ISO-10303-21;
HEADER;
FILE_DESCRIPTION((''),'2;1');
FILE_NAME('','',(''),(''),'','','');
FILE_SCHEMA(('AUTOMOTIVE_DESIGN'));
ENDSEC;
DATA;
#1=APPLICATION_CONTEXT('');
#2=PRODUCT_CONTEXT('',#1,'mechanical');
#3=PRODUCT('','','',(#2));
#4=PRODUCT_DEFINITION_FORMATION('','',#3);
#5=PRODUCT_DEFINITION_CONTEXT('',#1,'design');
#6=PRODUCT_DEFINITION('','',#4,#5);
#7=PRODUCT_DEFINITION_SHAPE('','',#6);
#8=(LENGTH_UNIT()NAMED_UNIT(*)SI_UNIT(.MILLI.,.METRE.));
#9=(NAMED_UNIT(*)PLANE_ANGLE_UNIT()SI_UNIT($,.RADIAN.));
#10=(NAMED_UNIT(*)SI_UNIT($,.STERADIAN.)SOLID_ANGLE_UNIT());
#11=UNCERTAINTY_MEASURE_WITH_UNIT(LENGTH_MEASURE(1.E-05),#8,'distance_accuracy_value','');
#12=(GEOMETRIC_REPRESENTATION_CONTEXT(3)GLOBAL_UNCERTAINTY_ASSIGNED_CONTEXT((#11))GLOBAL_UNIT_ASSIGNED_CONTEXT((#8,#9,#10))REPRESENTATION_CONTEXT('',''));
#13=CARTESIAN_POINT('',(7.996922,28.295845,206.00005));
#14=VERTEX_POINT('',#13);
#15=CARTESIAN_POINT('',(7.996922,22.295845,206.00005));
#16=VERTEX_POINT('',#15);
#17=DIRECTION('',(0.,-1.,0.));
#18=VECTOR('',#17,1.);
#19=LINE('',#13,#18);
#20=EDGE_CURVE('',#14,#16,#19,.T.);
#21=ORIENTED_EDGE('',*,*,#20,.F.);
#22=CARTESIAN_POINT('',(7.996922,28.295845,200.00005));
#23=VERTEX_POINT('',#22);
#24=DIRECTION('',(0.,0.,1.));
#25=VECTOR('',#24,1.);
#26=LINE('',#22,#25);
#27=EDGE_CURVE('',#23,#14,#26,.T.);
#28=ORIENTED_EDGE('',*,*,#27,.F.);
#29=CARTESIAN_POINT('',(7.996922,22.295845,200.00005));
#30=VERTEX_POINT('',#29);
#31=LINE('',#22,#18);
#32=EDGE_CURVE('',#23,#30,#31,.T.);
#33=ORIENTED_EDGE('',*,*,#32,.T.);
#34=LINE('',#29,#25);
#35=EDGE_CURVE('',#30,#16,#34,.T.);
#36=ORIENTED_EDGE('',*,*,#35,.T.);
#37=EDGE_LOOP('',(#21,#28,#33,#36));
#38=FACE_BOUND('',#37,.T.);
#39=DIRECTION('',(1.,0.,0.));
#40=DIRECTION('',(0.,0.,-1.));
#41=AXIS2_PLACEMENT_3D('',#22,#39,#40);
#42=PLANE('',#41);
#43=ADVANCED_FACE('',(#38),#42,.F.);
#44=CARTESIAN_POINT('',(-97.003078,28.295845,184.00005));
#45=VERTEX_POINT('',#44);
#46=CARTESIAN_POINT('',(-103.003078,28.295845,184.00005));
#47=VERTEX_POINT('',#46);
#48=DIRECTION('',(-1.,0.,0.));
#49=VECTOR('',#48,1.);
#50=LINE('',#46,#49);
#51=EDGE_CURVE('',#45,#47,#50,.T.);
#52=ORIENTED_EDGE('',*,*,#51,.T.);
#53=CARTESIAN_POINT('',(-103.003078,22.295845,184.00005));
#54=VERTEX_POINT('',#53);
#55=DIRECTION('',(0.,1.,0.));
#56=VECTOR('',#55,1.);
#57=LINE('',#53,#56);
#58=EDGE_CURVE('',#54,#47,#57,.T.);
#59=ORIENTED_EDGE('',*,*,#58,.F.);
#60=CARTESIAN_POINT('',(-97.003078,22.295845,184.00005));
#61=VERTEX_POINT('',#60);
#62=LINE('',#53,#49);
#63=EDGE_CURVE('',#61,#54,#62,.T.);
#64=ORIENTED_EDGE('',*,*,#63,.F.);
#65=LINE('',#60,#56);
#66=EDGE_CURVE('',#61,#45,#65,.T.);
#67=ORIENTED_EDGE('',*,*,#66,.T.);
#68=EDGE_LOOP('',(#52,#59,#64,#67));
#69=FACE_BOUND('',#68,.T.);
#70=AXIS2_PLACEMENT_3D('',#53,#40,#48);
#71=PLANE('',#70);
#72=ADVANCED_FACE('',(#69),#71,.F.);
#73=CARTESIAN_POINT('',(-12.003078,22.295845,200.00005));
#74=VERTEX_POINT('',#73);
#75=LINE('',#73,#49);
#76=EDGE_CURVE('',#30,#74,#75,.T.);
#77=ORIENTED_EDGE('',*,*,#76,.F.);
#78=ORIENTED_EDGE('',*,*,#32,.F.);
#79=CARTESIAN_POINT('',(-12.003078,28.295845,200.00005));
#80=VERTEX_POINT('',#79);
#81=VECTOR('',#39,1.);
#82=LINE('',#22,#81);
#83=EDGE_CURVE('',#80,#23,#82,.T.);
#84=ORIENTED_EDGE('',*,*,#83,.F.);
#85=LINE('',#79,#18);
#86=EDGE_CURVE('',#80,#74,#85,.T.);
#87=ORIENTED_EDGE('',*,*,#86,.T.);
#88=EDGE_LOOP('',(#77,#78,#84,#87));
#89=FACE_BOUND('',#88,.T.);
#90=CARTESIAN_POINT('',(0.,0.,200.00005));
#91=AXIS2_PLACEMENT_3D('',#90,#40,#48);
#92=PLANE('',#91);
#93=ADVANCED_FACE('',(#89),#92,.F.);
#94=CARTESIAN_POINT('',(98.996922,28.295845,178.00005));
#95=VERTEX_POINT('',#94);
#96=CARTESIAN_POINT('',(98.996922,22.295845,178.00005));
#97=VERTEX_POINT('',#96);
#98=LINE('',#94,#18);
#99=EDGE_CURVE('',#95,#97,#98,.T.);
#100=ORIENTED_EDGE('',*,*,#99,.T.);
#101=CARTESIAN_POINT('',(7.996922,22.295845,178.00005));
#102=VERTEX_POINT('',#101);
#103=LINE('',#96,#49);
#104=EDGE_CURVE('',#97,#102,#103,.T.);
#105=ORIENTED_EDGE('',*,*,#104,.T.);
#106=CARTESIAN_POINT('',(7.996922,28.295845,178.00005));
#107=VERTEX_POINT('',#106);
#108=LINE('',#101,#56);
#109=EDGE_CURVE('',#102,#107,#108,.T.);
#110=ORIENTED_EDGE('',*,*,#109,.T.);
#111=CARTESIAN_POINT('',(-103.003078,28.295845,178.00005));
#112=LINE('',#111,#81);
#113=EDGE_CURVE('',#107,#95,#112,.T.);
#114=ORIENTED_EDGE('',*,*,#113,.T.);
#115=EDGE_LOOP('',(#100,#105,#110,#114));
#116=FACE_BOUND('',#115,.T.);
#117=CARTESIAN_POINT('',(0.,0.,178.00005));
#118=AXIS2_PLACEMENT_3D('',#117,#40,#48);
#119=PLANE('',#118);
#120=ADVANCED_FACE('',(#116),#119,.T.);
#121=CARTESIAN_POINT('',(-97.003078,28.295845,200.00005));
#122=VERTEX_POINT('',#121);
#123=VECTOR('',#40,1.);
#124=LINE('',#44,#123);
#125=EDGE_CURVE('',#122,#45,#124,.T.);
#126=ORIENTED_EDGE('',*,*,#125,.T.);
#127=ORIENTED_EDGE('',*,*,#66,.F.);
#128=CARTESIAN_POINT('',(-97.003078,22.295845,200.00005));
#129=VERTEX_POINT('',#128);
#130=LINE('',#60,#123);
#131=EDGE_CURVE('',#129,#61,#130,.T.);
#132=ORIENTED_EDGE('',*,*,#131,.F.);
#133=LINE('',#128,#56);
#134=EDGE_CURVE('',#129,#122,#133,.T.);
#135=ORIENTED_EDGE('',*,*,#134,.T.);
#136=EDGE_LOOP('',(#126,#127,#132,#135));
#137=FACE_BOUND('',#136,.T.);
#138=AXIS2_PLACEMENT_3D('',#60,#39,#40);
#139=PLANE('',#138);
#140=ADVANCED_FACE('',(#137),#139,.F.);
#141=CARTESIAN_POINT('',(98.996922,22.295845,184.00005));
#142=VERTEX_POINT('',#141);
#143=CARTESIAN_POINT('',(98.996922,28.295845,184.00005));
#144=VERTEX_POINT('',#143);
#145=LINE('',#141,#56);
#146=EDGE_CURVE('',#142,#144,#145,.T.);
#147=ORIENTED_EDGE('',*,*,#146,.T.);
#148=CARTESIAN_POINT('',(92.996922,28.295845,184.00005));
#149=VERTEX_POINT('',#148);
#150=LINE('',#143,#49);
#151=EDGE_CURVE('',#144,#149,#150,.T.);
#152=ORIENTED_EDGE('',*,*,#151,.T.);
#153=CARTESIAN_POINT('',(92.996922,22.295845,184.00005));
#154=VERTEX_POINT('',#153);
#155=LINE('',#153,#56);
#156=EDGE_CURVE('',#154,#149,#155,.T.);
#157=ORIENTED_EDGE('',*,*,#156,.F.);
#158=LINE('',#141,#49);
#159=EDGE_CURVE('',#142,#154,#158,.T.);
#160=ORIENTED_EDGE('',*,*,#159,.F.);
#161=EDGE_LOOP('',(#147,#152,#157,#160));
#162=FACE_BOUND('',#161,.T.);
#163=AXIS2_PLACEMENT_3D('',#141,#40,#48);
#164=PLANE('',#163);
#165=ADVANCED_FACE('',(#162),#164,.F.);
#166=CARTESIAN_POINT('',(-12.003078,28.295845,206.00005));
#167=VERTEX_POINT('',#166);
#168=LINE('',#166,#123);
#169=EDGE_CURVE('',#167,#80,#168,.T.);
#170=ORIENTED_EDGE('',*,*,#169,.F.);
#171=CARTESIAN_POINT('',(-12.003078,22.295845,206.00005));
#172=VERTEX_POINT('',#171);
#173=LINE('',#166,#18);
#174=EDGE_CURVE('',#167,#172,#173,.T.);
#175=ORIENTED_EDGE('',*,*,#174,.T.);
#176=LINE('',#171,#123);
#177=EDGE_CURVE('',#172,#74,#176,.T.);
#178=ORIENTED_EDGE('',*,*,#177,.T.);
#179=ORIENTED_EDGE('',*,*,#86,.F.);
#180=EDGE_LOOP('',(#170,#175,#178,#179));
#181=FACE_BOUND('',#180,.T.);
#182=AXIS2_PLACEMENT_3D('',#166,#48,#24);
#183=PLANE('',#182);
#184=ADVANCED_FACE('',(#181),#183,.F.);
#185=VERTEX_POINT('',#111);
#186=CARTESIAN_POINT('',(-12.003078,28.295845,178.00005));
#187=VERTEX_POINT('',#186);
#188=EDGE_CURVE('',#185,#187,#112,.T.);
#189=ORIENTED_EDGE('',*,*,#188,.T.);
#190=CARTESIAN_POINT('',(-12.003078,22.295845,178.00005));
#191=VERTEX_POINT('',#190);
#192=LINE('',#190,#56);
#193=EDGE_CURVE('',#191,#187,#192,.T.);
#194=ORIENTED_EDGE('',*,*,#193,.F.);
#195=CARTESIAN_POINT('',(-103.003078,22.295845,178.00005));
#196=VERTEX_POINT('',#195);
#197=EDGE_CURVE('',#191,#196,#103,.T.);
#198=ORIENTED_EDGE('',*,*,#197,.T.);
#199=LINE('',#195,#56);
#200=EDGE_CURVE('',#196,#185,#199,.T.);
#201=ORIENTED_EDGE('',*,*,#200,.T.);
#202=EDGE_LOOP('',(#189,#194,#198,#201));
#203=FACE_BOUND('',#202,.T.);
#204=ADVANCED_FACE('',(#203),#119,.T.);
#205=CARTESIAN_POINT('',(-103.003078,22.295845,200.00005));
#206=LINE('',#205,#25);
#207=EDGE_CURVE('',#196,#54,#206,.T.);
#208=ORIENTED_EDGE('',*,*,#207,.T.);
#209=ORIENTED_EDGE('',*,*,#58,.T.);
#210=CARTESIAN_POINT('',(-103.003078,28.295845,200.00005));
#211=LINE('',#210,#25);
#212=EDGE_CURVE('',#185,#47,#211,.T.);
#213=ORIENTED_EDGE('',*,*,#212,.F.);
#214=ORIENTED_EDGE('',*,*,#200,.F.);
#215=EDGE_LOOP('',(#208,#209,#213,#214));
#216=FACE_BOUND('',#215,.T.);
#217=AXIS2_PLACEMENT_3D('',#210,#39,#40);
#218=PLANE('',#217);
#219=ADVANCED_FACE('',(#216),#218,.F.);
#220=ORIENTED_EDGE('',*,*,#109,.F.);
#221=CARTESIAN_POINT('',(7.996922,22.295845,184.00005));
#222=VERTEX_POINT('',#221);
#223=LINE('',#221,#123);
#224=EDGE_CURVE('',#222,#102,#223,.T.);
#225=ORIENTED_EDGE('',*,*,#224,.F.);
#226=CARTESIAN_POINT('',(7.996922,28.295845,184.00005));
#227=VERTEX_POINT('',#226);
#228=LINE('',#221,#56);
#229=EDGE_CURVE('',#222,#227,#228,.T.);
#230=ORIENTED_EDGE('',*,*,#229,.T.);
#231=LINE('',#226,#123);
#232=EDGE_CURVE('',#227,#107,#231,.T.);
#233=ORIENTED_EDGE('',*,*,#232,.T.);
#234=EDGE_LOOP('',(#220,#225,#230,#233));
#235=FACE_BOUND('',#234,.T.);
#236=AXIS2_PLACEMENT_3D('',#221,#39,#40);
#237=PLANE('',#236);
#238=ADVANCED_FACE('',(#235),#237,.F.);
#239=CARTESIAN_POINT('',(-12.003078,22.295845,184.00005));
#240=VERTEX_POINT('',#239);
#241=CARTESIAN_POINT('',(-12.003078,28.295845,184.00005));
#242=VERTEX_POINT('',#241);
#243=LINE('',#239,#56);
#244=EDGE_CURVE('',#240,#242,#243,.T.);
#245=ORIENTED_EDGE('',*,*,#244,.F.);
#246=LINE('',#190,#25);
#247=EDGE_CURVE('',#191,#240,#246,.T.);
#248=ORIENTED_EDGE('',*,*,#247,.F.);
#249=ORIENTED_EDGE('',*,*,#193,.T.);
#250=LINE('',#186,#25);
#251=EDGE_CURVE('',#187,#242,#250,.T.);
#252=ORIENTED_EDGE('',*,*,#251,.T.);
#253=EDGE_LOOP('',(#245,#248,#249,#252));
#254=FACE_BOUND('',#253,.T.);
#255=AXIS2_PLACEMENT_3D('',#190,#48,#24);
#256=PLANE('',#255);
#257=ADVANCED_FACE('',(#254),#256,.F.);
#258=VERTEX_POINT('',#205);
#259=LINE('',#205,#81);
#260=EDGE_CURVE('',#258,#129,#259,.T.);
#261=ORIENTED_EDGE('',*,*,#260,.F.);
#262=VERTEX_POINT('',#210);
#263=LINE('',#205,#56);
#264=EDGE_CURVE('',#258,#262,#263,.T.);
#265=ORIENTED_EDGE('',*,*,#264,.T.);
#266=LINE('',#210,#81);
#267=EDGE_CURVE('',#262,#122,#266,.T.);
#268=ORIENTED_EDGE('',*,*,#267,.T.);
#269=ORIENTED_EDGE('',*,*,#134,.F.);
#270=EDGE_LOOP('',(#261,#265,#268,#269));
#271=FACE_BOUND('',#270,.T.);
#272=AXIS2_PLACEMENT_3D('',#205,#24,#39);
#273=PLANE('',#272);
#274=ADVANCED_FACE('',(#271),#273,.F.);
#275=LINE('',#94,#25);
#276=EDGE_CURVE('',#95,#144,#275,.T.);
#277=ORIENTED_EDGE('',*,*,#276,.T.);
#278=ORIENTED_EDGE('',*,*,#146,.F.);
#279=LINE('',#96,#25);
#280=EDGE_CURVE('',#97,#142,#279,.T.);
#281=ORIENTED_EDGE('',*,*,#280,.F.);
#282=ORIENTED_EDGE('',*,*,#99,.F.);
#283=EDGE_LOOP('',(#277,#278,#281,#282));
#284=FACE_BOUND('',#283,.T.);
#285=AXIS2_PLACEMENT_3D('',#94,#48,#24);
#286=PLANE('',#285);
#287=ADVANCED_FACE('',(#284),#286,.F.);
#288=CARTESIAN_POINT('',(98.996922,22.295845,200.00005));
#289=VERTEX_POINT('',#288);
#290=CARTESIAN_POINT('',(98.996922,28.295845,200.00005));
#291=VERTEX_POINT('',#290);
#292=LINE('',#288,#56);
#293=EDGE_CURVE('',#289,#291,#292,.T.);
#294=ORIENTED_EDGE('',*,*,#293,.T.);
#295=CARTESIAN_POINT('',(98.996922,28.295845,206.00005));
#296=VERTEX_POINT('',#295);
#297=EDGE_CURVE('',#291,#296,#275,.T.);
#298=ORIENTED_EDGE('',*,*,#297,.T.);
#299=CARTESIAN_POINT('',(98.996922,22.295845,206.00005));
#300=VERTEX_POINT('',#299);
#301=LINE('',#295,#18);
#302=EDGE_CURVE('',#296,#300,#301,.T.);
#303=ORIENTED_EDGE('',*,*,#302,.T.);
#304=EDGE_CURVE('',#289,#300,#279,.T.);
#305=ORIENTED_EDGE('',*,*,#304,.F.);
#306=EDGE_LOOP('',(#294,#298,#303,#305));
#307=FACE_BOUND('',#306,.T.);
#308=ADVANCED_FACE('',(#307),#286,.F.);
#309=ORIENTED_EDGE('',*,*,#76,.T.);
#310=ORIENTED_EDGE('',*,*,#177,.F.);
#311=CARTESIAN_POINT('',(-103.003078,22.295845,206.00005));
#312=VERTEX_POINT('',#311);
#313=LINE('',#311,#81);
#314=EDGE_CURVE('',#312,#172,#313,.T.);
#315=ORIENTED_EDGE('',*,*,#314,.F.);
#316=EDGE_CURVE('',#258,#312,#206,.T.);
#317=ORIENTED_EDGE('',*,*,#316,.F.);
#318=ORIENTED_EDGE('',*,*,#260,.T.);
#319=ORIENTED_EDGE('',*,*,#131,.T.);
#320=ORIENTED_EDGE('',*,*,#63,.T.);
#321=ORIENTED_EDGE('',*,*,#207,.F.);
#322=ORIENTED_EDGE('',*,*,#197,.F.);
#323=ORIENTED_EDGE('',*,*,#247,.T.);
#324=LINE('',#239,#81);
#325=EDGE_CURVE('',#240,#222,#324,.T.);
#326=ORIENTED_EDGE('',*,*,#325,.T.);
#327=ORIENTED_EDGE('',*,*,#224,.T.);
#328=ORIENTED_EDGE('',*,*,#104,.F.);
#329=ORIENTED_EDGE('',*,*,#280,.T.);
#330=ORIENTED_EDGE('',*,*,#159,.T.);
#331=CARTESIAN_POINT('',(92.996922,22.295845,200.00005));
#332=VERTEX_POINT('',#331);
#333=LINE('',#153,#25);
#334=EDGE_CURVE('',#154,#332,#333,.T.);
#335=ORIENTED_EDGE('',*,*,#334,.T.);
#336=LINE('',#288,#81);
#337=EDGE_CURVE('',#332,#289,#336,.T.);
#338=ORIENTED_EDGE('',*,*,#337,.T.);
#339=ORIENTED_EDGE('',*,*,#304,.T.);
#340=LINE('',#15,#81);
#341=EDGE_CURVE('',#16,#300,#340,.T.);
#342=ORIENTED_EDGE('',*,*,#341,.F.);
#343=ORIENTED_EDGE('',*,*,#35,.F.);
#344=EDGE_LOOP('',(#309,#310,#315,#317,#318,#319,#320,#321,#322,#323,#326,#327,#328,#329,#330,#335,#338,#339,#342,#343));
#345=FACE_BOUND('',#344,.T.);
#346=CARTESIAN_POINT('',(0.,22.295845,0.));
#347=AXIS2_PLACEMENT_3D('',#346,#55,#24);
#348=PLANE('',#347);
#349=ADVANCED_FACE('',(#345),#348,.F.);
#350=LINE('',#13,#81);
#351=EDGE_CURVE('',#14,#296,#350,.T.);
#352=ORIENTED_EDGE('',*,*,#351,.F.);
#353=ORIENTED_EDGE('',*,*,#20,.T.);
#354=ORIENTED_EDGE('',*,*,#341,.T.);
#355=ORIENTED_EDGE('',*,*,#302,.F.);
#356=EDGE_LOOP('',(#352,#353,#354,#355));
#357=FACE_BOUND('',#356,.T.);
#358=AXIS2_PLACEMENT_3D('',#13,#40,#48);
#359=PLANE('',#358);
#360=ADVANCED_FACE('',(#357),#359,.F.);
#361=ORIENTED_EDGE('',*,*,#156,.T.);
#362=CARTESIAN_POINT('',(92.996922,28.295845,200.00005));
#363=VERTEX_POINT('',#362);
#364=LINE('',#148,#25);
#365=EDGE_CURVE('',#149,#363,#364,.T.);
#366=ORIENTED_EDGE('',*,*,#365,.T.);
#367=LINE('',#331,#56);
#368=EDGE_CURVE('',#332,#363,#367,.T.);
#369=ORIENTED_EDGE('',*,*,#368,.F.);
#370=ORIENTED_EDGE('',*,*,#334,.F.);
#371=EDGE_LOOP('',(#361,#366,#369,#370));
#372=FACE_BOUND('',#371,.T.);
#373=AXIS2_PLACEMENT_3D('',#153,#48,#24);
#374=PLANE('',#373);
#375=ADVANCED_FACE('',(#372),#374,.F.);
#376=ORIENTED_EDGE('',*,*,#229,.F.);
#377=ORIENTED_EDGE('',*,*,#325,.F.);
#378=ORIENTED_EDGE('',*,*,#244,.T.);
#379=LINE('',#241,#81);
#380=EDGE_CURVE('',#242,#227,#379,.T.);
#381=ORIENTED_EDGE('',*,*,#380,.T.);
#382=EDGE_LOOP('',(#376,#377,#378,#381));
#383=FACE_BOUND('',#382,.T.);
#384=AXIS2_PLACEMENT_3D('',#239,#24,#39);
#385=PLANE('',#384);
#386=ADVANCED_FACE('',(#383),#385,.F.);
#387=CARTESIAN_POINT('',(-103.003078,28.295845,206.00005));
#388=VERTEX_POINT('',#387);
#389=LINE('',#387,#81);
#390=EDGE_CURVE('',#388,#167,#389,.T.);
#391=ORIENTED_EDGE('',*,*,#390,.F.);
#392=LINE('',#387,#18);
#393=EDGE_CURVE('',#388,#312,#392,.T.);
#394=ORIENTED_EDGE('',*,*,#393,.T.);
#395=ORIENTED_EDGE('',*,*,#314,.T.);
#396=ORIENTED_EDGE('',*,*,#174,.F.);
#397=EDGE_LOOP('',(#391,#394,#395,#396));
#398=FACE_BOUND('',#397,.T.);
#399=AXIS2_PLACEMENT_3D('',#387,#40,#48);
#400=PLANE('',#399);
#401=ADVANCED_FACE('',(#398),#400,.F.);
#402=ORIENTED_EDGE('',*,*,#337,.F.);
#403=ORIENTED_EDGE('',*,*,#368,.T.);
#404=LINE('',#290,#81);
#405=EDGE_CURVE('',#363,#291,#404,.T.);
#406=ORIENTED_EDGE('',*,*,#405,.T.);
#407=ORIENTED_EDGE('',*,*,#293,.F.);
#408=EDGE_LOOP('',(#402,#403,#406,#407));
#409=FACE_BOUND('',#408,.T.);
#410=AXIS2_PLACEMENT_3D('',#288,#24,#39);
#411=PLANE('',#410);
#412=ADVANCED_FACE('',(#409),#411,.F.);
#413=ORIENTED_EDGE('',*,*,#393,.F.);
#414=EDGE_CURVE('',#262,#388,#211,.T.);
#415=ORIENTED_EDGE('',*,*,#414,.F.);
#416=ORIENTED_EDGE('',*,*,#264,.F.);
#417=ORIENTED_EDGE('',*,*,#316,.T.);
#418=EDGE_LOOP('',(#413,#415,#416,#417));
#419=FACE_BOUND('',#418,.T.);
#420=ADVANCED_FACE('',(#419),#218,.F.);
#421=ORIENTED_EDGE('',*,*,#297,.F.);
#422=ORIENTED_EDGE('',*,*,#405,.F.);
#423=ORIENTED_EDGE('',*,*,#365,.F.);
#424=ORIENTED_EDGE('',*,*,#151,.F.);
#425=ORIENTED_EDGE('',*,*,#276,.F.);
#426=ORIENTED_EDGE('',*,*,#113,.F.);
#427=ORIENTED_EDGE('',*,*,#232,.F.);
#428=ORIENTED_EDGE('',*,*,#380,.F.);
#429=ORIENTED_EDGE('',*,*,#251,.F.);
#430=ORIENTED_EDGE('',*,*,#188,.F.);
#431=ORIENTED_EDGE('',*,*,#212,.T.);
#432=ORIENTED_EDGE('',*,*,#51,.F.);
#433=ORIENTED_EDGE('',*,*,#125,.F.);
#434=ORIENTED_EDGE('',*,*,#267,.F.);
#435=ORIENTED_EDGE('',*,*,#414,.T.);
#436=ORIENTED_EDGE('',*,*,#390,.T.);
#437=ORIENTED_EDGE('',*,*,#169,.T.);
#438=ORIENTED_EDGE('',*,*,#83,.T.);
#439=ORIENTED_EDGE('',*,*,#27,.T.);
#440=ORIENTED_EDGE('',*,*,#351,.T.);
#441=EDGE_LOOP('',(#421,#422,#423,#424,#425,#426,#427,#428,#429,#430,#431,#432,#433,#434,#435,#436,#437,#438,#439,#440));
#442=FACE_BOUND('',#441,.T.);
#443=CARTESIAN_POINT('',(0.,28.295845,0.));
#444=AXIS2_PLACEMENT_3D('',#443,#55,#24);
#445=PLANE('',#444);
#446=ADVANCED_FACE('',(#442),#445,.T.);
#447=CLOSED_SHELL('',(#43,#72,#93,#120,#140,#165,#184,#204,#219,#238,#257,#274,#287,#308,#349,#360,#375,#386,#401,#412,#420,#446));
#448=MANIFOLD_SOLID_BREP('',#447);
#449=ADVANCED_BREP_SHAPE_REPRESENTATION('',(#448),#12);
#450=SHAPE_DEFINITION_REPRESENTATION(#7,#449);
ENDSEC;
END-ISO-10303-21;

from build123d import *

# Parameters (mm, degrees)
ESQUISSE2_W             = 91
ESQUISSE2_H             = 6
BOSS_EXTRU_1_DEPTH      = 6
BOSS_EXTRU_1_2_DEPTH    = 6
BOSS_EXTRU_2_DEPTH      = 22
ESQUISSE4_W             = 20
ESQUISSE4_H             = 6
ENL_V_MAT_EXTRU_1_DEPTH = 6
ESQUISSE5_W             = 6
ESQUISSE5_H             = 16
ENL_V_MAT_EXTRU_2_DEPTH = 6


with BuildPart() as part:
    # Esquisse2 → Boss.-Extru.1 (new body)
    with BuildSketch(Plane(origin=(0, 22.295844579, 0), x_dir=(1, 0, 0), z_dir=(0, 1, 0))):
        with Locations((-57.503078089, -203.00005)):
            Rectangle(ESQUISSE2_W, ESQUISSE2_H)
    extrude(amount=BOSS_EXTRU_1_DEPTH)



with BuildPart() as body_2:
    # Esquisse2 → Boss.-Extru.1 2 (new body)
    with BuildSketch(Plane(origin=(0, 22.295844579, 0), x_dir=(1, 0, 0), z_dir=(0, 1, 0))):
        with Locations((53.496921911, -203.00005)):
            Rectangle(ESQUISSE2_W, ESQUISSE2_H)
    extrude(amount=BOSS_EXTRU_1_2_DEPTH)


with BuildPart() as part_1:
    add(part.part)

    add(body_2.part)  # Boss.-Extru.2 merges body 2
    # Esquisse3 → Boss.-Extru.2 (add)
    with BuildSketch(Plane(origin=(0, 0, 200.00005), x_dir=(-1, 0, 0), z_dir=(0, 0, -1))):
        Polygon((-7.996921911, 28.295844579), (12.003078089, 28.295844579), (103.003078089, 28.295844579), (103.003078089, 22.295844579), (12.003078089, 22.295844579), (-7.996921911, 22.295844579), (-98.996921911, 22.295844579), (-98.996921911, 28.295844579), align=None)
    extrude(amount=BOSS_EXTRU_2_DEPTH)

    # Esquisse4 → Enlèv. mat.-Extru.1 (cut)
    with BuildSketch(Plane(origin=(0, 28.295844579, 0), x_dir=(1, 0, 0), z_dir=(0, 1, 0))):
        with Locations((-2.003078089, -203.00005)):
            Rectangle(ESQUISSE4_W, ESQUISSE4_H)
        with Locations((-2.003078089, -181.00005)):
            Rectangle(ESQUISSE4_W, ESQUISSE4_H)
    extrude(amount=-ENL_V_MAT_EXTRU_1_DEPTH, mode=Mode.SUBTRACT)

    # Esquisse5 → Enlèv. mat.-Extru.2 (cut)
    with BuildSketch(Plane(origin=(0, 28.295844579, 0), x_dir=(1, 0, 0), z_dir=(0, 1, 0))):
        with Locations((95.996921911, -192.00005)):
            Rectangle(ESQUISSE5_W, ESQUISSE5_H)
        with Locations((-100.003078089, -192.00005)):
            Rectangle(ESQUISSE5_W, ESQUISSE5_H)
    extrude(amount=-ENL_V_MAT_EXTRU_2_DEPTH, mode=Mode.SUBTRACT)


solid = part_1.part
